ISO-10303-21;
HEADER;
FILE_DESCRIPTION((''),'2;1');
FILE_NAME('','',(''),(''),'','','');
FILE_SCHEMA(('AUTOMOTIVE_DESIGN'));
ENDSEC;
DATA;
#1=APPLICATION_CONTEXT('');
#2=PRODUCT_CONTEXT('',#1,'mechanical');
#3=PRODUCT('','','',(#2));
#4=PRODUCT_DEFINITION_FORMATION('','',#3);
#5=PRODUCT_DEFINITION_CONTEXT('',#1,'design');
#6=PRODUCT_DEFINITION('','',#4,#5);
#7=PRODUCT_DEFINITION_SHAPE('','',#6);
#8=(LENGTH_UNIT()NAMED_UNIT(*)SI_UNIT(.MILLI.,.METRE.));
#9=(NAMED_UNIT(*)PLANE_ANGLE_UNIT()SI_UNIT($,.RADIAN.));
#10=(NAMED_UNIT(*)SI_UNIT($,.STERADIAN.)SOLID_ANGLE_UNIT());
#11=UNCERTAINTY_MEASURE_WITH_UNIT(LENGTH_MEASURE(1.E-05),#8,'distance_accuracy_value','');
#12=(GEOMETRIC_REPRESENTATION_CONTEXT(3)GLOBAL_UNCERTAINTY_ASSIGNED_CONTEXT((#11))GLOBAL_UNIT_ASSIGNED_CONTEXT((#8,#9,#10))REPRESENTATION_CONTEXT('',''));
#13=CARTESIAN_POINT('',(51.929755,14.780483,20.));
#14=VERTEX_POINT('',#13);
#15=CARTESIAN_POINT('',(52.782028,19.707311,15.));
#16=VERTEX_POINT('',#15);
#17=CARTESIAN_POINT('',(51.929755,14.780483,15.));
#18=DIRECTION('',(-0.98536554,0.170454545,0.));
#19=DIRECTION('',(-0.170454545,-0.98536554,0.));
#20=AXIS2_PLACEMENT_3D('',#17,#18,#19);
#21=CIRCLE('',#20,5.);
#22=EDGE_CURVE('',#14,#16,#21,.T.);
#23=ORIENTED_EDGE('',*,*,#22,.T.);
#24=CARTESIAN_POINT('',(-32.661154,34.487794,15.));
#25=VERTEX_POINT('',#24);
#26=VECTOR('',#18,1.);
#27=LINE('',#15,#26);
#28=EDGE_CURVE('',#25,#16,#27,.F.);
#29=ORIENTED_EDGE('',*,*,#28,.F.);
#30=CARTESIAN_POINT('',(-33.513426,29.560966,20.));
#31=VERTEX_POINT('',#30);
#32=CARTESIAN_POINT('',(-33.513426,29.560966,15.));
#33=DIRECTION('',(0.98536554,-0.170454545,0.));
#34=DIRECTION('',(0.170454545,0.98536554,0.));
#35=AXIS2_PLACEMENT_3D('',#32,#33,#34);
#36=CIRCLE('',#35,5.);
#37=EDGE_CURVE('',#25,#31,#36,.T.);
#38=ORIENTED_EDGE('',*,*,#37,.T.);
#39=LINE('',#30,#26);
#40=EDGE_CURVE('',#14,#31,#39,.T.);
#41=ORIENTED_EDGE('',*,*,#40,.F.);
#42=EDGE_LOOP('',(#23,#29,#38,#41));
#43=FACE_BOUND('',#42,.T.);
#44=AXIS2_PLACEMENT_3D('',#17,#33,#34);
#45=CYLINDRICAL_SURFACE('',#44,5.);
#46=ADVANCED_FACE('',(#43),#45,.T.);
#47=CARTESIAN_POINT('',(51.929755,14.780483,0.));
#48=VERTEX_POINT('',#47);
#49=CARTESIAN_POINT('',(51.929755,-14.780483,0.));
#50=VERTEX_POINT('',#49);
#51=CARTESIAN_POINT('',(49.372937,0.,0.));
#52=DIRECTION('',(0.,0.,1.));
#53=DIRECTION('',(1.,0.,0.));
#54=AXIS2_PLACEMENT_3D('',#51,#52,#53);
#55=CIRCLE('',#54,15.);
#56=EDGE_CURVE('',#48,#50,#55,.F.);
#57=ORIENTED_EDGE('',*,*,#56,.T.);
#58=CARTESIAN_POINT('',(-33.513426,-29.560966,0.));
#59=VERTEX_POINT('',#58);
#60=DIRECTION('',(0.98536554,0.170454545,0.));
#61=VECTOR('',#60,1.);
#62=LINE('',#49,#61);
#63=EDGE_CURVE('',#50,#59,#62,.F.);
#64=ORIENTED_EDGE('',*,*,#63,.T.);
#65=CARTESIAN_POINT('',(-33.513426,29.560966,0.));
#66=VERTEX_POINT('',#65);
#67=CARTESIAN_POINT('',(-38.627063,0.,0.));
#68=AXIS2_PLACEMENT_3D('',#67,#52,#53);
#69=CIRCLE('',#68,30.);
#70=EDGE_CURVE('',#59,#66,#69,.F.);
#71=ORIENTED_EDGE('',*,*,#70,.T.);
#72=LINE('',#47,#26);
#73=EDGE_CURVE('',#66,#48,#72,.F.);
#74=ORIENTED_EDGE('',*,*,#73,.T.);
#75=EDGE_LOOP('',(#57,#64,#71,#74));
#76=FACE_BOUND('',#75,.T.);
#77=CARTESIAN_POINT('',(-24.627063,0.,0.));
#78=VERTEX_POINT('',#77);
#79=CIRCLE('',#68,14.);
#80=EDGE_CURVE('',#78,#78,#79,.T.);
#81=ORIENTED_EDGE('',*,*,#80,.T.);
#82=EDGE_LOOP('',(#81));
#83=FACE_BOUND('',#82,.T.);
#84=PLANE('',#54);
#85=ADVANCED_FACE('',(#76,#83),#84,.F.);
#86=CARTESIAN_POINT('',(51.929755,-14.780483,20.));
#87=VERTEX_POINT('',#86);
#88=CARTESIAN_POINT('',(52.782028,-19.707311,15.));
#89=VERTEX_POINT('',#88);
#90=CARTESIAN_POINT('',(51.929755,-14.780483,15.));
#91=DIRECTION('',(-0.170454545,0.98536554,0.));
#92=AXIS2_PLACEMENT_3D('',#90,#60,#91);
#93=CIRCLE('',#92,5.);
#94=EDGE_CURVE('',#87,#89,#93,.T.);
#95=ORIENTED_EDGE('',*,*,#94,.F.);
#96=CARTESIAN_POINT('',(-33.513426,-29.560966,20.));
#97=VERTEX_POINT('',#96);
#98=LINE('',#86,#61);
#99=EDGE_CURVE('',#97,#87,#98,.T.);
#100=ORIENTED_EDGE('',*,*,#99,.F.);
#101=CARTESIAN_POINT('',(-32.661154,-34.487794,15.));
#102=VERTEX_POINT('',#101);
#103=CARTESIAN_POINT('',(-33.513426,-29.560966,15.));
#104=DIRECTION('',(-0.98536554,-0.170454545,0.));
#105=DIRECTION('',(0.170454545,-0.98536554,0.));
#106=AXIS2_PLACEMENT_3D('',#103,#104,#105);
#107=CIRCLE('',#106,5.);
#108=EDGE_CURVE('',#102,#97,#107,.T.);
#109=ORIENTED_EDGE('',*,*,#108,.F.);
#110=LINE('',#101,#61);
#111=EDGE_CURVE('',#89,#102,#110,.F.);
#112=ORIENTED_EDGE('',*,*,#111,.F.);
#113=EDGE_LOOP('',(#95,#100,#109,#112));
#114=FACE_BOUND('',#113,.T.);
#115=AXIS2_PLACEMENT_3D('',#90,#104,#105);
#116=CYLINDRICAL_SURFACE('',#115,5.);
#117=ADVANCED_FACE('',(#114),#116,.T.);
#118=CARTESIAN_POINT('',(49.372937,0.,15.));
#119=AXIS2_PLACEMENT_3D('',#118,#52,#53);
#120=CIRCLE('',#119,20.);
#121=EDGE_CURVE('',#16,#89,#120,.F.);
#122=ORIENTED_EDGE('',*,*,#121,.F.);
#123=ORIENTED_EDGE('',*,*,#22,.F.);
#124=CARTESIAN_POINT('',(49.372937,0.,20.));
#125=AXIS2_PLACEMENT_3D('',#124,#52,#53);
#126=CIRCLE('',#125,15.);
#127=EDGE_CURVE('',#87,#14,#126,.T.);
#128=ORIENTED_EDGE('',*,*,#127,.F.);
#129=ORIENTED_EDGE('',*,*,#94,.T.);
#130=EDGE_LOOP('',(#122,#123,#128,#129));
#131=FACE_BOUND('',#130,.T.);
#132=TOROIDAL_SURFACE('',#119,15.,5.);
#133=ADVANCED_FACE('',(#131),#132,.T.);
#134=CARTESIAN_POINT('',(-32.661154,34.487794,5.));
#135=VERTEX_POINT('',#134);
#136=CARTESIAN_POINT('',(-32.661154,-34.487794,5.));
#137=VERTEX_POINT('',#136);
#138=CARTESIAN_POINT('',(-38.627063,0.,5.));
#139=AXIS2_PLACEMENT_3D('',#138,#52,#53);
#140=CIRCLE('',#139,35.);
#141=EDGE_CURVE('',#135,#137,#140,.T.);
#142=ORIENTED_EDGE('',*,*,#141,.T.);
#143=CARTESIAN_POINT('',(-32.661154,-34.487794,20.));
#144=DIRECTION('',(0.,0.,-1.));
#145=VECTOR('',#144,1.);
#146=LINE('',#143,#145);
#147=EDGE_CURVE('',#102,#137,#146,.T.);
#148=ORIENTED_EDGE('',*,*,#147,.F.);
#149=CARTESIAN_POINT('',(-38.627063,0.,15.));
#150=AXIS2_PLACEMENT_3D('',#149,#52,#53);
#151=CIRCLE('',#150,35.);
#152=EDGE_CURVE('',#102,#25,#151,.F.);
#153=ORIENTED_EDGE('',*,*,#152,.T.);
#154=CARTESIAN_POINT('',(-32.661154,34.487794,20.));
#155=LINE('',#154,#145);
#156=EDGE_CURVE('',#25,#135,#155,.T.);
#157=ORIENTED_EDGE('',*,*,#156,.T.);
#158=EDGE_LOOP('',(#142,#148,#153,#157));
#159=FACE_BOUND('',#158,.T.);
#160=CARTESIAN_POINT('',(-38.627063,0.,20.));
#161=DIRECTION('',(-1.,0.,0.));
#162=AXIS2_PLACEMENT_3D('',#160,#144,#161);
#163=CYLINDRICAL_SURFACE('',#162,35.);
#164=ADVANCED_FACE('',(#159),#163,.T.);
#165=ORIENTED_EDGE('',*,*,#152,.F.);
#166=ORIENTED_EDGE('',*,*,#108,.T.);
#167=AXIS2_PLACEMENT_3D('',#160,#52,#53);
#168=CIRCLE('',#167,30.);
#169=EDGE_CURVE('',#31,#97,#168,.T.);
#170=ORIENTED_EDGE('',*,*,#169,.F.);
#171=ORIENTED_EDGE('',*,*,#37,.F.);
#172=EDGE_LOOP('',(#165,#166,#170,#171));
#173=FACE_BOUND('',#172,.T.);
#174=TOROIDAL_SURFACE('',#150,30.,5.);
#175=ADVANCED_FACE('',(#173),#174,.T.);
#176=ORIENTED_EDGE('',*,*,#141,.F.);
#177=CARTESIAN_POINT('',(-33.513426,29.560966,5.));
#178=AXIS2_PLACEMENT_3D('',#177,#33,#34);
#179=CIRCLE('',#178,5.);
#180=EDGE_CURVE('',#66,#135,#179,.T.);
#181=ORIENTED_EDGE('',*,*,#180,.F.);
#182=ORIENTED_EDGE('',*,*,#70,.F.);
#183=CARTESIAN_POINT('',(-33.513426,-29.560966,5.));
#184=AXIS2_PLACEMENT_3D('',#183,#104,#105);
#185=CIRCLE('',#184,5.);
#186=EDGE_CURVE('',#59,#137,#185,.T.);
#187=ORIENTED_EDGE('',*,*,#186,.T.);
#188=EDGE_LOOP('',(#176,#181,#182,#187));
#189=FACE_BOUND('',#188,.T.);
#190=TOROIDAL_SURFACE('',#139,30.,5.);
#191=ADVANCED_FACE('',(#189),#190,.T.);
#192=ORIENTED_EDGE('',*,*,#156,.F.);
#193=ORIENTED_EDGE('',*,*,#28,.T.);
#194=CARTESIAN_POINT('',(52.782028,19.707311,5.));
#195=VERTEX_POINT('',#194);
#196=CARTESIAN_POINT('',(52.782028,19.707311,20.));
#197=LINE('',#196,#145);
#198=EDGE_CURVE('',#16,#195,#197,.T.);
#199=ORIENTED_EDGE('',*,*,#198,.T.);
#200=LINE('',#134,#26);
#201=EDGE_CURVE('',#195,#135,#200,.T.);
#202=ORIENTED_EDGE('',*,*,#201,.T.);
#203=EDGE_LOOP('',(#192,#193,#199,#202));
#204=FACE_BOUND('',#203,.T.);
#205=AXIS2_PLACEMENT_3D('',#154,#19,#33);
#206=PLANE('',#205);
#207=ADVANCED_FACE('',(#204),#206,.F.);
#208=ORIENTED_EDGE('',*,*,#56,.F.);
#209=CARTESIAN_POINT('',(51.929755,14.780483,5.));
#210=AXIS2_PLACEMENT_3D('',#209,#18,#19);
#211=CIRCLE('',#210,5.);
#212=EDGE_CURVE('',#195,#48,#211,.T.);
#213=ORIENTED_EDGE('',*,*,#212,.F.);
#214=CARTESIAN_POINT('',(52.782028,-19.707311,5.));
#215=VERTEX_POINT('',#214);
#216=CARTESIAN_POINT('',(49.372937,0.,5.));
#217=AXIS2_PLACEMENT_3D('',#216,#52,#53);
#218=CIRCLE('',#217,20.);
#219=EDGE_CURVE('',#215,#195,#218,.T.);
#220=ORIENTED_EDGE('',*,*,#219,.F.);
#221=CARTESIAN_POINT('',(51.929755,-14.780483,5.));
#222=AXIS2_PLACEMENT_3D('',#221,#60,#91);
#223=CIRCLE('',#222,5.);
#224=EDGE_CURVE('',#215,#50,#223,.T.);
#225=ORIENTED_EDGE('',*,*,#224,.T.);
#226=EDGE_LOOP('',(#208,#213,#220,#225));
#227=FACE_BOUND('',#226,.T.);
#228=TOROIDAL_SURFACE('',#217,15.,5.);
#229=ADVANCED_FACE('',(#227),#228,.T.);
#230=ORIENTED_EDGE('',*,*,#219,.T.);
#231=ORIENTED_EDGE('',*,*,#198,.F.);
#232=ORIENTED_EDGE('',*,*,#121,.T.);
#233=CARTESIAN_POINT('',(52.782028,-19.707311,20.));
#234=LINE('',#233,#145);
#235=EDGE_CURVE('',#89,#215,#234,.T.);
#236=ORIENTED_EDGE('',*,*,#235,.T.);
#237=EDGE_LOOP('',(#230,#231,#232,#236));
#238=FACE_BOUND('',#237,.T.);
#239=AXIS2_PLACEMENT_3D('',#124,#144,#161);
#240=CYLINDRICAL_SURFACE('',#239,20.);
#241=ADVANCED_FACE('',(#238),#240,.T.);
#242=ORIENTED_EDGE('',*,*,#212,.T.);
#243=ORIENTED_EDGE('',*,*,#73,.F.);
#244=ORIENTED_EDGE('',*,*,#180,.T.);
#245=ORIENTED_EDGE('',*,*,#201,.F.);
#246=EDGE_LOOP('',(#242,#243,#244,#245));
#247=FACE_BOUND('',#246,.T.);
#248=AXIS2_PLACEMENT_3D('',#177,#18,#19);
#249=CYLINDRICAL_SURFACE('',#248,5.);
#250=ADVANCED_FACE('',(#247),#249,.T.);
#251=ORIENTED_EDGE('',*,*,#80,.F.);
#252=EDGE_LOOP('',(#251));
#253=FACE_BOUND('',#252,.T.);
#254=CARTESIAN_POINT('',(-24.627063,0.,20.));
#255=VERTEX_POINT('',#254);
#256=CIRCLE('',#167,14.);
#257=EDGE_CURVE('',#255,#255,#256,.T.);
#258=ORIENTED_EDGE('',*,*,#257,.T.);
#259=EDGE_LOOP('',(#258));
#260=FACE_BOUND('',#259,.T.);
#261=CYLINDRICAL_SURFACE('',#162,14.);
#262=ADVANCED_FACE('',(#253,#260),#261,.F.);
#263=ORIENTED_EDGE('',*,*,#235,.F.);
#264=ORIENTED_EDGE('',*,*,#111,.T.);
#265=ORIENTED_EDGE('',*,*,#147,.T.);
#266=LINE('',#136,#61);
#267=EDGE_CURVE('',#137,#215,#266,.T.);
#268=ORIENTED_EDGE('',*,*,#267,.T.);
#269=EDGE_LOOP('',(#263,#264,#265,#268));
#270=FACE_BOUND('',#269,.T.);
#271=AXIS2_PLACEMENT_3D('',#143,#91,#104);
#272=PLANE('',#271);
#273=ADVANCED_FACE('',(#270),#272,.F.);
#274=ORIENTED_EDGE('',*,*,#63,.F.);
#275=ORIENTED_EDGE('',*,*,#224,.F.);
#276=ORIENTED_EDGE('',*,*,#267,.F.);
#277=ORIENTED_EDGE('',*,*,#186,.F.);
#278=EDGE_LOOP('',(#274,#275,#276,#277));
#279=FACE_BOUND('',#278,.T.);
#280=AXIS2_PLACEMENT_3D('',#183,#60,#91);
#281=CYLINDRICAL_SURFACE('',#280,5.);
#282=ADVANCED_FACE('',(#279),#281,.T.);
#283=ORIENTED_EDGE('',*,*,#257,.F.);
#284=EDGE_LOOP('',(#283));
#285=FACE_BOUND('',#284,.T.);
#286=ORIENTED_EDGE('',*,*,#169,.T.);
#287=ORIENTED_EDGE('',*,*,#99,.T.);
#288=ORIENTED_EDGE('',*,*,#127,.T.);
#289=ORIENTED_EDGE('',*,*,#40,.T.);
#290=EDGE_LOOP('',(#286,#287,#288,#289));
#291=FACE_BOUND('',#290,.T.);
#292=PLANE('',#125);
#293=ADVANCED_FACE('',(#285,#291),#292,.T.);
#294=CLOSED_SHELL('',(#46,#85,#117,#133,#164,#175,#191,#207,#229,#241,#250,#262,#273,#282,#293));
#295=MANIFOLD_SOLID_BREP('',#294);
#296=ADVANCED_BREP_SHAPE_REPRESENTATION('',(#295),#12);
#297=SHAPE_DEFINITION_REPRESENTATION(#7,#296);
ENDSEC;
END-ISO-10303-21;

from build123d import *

# Parameters (mm, degrees)
SKETCH_1_R      = 14
EXTRUDE_1_DEPTH = 20
FILLET_1_R      = 5
FILLET_2_R      = 5


with BuildPart() as part:
    # 草图1 → 凸台-拉伸1 (new body)
    with BuildSketch(Plane.XY):
        with BuildLine():
            Line((-32.661153615, 34.487793909), (52.782028203, 19.707310805))
            ThreePointArc((52.782028203, 19.707310805), (69.372937294, 0), (52.782028203, -19.707310805))
            Line((52.782028203, -19.707310805), (-32.661153615, -34.487793909))
            ThreePointArc((-32.661153615, -34.487793909), (-73.627062706, 0), (-32.661153615, 34.487793909))
        make_face()
        with Locations((-38.627062706, 0)):
            Circle(SKETCH_1_R, mode=Mode.SUBTRACT)
    extrude(amount=EXTRUDE_1_DEPTH)

    # 圆角1
    fillet_1_edges = [part.edges().sort_by_distance(p)[0] for p in [
        (-73.627062706, 0, 20),
        (10.060437294, -27.097552357, 20),
        (69.372937294, 0, 20),
        (10.060437294, 27.097552357, 20),
    ]]
    fillet(fillet_1_edges, radius=FILLET_1_R)

    # 圆角2
    fillet_2_edges = [part.edges().sort_by_distance(p)[0] for p in [
        (10.060437294, -27.097552357, 0),
        (-73.627062706, 0, 0),
        (10.060437294, 27.097552357, 0),
        (69.372937294, 0, 0),
    ]]
    fillet(fillet_2_edges, radius=FILLET_2_R)


solid = part.part
